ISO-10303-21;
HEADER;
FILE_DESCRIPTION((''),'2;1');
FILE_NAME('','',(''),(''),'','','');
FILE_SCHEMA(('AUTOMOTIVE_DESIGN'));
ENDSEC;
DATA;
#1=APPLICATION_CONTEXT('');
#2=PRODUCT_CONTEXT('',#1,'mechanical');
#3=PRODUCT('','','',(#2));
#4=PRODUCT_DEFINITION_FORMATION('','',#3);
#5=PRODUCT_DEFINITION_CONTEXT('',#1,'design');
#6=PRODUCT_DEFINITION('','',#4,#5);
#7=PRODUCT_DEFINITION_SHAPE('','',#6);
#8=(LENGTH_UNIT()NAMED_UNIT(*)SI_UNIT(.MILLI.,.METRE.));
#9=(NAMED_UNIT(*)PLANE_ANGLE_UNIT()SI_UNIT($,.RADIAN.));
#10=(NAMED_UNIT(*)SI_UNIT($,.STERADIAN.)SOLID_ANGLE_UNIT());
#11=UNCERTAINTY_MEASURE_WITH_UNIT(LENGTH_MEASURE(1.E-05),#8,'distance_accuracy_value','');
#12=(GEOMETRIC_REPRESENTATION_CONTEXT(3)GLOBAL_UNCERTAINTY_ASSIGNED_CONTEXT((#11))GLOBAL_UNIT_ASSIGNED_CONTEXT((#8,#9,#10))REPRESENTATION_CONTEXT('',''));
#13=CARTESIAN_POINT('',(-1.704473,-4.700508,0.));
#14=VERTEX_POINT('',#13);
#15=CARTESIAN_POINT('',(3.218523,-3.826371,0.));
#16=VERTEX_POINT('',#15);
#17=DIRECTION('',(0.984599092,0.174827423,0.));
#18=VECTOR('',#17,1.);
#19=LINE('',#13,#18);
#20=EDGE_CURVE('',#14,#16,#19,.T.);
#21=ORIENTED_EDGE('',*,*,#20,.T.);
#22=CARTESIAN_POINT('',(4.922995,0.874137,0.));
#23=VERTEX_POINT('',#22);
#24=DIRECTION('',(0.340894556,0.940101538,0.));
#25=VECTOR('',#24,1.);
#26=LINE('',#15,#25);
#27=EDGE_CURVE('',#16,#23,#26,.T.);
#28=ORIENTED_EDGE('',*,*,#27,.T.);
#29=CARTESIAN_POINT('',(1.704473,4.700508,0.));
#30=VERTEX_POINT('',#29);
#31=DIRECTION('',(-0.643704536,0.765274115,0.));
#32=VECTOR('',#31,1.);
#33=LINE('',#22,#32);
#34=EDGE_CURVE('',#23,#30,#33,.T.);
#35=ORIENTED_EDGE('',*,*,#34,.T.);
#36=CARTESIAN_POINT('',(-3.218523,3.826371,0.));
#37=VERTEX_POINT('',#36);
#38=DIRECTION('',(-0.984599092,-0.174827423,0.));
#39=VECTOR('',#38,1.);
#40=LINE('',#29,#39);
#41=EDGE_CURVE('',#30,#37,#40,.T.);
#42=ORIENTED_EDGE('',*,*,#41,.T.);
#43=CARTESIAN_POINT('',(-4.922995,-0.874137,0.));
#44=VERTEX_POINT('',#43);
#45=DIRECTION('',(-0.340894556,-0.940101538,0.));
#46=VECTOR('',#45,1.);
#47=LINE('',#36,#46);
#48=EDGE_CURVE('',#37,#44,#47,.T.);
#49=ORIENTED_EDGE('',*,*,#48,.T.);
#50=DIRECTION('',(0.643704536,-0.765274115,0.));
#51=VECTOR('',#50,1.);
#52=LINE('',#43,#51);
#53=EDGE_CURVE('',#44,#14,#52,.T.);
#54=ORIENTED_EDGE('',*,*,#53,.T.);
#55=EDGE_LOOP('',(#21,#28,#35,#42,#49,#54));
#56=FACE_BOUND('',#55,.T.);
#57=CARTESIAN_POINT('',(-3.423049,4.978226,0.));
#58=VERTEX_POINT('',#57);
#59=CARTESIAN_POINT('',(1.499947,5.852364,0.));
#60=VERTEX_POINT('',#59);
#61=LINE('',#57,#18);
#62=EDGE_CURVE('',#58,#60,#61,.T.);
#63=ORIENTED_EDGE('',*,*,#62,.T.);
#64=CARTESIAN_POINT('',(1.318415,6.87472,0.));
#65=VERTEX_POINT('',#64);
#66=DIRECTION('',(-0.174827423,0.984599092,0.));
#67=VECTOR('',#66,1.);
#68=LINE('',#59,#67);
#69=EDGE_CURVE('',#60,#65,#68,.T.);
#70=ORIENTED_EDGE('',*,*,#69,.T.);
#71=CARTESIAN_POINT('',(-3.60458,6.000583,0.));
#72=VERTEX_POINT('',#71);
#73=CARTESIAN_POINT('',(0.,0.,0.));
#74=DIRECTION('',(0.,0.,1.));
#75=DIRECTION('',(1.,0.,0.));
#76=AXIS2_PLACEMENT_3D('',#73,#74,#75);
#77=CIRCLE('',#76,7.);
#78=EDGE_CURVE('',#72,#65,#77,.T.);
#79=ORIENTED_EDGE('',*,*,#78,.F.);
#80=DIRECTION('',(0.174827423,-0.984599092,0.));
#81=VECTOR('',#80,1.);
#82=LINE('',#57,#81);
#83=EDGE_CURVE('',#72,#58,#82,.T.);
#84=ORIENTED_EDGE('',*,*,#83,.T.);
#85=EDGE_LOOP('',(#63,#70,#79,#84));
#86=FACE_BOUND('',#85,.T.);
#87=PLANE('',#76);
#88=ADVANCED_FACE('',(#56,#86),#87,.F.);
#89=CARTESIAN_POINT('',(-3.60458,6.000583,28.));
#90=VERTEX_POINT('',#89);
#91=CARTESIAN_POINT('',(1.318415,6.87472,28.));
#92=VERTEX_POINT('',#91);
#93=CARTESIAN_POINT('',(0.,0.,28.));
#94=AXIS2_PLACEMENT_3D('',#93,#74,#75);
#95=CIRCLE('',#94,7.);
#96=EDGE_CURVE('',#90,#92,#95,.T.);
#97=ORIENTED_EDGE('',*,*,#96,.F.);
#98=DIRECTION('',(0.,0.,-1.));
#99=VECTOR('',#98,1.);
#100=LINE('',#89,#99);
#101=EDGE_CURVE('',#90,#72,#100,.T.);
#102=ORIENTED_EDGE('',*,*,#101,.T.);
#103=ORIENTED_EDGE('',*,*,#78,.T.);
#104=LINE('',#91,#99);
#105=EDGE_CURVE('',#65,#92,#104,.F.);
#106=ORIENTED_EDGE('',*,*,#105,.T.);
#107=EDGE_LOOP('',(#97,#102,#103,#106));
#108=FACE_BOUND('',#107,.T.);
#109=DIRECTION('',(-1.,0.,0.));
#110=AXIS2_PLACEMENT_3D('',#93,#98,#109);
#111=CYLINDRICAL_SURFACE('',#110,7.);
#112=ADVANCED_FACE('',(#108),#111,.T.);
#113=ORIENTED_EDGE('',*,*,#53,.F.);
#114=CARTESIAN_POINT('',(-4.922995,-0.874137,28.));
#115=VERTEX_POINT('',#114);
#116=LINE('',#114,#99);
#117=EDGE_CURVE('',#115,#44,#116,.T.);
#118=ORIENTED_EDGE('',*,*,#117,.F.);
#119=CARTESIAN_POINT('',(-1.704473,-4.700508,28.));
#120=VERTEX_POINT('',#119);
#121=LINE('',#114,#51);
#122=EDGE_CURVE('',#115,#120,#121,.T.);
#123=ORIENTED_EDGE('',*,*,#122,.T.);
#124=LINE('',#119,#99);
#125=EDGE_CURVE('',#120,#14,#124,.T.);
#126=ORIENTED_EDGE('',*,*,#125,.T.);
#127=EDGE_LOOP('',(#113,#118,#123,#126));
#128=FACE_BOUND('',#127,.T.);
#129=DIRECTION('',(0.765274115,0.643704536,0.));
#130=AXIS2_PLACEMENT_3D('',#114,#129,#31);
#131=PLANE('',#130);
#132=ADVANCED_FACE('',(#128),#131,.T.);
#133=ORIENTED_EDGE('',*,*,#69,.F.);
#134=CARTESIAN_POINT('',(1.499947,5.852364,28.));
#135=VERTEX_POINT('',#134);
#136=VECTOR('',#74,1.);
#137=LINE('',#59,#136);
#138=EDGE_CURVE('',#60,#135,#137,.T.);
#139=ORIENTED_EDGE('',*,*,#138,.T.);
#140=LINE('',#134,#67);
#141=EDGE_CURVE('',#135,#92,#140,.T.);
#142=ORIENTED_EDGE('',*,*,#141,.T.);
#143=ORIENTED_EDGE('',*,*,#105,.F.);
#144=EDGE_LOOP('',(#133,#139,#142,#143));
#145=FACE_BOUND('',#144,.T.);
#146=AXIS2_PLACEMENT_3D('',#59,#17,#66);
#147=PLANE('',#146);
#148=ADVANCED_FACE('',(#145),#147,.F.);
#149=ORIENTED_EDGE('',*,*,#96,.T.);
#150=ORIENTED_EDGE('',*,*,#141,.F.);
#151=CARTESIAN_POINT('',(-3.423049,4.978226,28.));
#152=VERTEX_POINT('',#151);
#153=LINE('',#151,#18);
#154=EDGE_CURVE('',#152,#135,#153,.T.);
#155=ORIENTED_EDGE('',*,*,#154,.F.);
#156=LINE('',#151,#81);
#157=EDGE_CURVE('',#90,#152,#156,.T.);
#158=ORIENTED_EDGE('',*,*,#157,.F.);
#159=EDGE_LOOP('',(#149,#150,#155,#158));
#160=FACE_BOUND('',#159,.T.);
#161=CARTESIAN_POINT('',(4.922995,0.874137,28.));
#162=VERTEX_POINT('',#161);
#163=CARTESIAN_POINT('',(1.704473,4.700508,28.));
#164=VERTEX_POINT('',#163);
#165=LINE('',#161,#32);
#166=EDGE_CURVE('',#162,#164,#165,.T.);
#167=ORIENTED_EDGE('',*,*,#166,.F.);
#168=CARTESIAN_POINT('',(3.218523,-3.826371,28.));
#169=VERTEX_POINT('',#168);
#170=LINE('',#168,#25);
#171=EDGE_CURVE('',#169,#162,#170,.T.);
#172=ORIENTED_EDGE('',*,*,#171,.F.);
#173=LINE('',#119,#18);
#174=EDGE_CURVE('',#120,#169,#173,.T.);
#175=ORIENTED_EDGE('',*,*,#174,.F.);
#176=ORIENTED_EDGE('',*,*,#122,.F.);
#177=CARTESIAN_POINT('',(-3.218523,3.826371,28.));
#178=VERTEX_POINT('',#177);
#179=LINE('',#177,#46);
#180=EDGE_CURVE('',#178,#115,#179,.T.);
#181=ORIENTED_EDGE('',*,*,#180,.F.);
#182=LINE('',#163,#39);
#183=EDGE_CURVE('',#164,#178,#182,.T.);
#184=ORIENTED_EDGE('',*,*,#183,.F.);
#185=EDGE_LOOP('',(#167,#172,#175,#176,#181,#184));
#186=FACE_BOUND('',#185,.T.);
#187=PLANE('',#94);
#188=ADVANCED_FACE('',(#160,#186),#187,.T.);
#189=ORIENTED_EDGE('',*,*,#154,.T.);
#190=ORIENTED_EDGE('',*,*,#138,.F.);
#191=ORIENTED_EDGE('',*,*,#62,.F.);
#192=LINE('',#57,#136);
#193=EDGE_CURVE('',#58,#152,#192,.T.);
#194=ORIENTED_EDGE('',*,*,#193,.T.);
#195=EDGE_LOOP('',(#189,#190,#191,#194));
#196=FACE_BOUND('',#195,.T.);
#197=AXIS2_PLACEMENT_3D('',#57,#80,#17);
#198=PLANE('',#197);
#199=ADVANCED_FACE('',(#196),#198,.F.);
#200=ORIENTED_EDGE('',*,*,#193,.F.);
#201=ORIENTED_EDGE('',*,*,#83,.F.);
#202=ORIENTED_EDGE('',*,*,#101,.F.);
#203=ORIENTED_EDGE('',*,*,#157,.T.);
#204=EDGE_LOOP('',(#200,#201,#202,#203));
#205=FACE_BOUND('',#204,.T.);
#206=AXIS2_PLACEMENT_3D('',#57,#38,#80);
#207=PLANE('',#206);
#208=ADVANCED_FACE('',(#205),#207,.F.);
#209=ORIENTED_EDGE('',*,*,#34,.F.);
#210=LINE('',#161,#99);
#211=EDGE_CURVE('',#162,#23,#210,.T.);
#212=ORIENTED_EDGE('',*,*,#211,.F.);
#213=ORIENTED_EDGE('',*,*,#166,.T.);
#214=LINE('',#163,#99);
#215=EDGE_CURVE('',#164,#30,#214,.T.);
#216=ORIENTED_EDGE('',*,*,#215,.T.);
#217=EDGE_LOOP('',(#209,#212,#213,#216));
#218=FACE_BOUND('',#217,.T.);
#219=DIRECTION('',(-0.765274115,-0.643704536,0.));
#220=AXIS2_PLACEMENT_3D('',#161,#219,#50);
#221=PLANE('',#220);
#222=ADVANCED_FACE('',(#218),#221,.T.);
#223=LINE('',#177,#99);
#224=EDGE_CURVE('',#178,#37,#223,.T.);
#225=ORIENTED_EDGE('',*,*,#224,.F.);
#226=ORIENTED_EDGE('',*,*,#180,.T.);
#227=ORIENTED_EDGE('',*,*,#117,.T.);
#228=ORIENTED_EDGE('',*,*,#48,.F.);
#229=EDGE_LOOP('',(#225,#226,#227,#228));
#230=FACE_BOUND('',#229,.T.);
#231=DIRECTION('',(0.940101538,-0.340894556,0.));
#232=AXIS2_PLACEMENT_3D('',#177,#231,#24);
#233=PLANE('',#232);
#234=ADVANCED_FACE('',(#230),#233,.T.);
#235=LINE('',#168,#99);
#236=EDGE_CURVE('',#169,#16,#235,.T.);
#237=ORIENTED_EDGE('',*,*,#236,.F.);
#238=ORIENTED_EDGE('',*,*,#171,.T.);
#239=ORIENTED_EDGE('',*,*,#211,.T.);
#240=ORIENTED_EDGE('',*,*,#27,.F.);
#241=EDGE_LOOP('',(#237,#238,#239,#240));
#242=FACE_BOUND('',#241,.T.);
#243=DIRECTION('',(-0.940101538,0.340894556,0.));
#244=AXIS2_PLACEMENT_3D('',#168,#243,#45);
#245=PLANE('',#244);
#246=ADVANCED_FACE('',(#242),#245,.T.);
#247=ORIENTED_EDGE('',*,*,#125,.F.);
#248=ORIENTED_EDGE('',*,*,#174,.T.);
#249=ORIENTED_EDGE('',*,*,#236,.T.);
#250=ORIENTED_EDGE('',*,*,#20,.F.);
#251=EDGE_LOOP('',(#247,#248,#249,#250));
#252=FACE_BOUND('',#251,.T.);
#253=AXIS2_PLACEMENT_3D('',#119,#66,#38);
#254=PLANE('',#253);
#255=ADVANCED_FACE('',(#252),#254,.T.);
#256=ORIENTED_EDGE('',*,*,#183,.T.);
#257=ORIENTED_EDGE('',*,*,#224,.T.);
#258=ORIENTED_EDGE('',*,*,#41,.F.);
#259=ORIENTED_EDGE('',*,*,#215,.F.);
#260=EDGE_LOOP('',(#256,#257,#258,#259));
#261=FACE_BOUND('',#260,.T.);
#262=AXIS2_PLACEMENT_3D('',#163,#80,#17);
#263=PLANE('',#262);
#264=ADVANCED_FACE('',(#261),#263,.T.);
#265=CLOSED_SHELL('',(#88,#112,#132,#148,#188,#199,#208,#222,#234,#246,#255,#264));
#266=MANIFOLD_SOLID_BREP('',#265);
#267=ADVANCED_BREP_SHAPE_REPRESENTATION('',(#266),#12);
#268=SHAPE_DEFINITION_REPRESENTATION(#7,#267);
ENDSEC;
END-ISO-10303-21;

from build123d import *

# Parameters (mm, degrees)
SZKIC1_R                    = 7
DODANIE_WYCI_GNI_CIE1_DEPTH = 28
WYTNIJ_WYCI_GNI_CIE1_DEPTH  = 30.69848481


with BuildPart() as part:
    # Szkic1 → Dodanie-wyciągnięcie1 (new body)
    with BuildSketch(Plane.XY):
        Circle(SZKIC1_R)
        Polygon((4.922995461, 0.874137115), (1.704472782, 4.700507689), (-3.218522678, 3.826370574), (-4.922995461, -0.874137115), (-1.704472782, -4.700507689), (3.218522678, -3.826370574), align=None, mode=Mode.SUBTRACT)
    extrude(amount=DODANIE_WYCI_GNI_CIE1_DEPTH)

    # Szkic2 → Wytnij-wyciągnięcie1 (cut, through all)
    with BuildSketch(Plane.XY.offset(28)):
        Polygon((-3.423048557, 4.978226449), (1.499946904, 5.852363564), (1.23770577, 7.329262202), (-3.685289691, 6.455125087), align=None)
    extrude(amount=-WYTNIJ_WYCI_GNI_CIE1_DEPTH, mode=Mode.SUBTRACT)


solid = part.part
